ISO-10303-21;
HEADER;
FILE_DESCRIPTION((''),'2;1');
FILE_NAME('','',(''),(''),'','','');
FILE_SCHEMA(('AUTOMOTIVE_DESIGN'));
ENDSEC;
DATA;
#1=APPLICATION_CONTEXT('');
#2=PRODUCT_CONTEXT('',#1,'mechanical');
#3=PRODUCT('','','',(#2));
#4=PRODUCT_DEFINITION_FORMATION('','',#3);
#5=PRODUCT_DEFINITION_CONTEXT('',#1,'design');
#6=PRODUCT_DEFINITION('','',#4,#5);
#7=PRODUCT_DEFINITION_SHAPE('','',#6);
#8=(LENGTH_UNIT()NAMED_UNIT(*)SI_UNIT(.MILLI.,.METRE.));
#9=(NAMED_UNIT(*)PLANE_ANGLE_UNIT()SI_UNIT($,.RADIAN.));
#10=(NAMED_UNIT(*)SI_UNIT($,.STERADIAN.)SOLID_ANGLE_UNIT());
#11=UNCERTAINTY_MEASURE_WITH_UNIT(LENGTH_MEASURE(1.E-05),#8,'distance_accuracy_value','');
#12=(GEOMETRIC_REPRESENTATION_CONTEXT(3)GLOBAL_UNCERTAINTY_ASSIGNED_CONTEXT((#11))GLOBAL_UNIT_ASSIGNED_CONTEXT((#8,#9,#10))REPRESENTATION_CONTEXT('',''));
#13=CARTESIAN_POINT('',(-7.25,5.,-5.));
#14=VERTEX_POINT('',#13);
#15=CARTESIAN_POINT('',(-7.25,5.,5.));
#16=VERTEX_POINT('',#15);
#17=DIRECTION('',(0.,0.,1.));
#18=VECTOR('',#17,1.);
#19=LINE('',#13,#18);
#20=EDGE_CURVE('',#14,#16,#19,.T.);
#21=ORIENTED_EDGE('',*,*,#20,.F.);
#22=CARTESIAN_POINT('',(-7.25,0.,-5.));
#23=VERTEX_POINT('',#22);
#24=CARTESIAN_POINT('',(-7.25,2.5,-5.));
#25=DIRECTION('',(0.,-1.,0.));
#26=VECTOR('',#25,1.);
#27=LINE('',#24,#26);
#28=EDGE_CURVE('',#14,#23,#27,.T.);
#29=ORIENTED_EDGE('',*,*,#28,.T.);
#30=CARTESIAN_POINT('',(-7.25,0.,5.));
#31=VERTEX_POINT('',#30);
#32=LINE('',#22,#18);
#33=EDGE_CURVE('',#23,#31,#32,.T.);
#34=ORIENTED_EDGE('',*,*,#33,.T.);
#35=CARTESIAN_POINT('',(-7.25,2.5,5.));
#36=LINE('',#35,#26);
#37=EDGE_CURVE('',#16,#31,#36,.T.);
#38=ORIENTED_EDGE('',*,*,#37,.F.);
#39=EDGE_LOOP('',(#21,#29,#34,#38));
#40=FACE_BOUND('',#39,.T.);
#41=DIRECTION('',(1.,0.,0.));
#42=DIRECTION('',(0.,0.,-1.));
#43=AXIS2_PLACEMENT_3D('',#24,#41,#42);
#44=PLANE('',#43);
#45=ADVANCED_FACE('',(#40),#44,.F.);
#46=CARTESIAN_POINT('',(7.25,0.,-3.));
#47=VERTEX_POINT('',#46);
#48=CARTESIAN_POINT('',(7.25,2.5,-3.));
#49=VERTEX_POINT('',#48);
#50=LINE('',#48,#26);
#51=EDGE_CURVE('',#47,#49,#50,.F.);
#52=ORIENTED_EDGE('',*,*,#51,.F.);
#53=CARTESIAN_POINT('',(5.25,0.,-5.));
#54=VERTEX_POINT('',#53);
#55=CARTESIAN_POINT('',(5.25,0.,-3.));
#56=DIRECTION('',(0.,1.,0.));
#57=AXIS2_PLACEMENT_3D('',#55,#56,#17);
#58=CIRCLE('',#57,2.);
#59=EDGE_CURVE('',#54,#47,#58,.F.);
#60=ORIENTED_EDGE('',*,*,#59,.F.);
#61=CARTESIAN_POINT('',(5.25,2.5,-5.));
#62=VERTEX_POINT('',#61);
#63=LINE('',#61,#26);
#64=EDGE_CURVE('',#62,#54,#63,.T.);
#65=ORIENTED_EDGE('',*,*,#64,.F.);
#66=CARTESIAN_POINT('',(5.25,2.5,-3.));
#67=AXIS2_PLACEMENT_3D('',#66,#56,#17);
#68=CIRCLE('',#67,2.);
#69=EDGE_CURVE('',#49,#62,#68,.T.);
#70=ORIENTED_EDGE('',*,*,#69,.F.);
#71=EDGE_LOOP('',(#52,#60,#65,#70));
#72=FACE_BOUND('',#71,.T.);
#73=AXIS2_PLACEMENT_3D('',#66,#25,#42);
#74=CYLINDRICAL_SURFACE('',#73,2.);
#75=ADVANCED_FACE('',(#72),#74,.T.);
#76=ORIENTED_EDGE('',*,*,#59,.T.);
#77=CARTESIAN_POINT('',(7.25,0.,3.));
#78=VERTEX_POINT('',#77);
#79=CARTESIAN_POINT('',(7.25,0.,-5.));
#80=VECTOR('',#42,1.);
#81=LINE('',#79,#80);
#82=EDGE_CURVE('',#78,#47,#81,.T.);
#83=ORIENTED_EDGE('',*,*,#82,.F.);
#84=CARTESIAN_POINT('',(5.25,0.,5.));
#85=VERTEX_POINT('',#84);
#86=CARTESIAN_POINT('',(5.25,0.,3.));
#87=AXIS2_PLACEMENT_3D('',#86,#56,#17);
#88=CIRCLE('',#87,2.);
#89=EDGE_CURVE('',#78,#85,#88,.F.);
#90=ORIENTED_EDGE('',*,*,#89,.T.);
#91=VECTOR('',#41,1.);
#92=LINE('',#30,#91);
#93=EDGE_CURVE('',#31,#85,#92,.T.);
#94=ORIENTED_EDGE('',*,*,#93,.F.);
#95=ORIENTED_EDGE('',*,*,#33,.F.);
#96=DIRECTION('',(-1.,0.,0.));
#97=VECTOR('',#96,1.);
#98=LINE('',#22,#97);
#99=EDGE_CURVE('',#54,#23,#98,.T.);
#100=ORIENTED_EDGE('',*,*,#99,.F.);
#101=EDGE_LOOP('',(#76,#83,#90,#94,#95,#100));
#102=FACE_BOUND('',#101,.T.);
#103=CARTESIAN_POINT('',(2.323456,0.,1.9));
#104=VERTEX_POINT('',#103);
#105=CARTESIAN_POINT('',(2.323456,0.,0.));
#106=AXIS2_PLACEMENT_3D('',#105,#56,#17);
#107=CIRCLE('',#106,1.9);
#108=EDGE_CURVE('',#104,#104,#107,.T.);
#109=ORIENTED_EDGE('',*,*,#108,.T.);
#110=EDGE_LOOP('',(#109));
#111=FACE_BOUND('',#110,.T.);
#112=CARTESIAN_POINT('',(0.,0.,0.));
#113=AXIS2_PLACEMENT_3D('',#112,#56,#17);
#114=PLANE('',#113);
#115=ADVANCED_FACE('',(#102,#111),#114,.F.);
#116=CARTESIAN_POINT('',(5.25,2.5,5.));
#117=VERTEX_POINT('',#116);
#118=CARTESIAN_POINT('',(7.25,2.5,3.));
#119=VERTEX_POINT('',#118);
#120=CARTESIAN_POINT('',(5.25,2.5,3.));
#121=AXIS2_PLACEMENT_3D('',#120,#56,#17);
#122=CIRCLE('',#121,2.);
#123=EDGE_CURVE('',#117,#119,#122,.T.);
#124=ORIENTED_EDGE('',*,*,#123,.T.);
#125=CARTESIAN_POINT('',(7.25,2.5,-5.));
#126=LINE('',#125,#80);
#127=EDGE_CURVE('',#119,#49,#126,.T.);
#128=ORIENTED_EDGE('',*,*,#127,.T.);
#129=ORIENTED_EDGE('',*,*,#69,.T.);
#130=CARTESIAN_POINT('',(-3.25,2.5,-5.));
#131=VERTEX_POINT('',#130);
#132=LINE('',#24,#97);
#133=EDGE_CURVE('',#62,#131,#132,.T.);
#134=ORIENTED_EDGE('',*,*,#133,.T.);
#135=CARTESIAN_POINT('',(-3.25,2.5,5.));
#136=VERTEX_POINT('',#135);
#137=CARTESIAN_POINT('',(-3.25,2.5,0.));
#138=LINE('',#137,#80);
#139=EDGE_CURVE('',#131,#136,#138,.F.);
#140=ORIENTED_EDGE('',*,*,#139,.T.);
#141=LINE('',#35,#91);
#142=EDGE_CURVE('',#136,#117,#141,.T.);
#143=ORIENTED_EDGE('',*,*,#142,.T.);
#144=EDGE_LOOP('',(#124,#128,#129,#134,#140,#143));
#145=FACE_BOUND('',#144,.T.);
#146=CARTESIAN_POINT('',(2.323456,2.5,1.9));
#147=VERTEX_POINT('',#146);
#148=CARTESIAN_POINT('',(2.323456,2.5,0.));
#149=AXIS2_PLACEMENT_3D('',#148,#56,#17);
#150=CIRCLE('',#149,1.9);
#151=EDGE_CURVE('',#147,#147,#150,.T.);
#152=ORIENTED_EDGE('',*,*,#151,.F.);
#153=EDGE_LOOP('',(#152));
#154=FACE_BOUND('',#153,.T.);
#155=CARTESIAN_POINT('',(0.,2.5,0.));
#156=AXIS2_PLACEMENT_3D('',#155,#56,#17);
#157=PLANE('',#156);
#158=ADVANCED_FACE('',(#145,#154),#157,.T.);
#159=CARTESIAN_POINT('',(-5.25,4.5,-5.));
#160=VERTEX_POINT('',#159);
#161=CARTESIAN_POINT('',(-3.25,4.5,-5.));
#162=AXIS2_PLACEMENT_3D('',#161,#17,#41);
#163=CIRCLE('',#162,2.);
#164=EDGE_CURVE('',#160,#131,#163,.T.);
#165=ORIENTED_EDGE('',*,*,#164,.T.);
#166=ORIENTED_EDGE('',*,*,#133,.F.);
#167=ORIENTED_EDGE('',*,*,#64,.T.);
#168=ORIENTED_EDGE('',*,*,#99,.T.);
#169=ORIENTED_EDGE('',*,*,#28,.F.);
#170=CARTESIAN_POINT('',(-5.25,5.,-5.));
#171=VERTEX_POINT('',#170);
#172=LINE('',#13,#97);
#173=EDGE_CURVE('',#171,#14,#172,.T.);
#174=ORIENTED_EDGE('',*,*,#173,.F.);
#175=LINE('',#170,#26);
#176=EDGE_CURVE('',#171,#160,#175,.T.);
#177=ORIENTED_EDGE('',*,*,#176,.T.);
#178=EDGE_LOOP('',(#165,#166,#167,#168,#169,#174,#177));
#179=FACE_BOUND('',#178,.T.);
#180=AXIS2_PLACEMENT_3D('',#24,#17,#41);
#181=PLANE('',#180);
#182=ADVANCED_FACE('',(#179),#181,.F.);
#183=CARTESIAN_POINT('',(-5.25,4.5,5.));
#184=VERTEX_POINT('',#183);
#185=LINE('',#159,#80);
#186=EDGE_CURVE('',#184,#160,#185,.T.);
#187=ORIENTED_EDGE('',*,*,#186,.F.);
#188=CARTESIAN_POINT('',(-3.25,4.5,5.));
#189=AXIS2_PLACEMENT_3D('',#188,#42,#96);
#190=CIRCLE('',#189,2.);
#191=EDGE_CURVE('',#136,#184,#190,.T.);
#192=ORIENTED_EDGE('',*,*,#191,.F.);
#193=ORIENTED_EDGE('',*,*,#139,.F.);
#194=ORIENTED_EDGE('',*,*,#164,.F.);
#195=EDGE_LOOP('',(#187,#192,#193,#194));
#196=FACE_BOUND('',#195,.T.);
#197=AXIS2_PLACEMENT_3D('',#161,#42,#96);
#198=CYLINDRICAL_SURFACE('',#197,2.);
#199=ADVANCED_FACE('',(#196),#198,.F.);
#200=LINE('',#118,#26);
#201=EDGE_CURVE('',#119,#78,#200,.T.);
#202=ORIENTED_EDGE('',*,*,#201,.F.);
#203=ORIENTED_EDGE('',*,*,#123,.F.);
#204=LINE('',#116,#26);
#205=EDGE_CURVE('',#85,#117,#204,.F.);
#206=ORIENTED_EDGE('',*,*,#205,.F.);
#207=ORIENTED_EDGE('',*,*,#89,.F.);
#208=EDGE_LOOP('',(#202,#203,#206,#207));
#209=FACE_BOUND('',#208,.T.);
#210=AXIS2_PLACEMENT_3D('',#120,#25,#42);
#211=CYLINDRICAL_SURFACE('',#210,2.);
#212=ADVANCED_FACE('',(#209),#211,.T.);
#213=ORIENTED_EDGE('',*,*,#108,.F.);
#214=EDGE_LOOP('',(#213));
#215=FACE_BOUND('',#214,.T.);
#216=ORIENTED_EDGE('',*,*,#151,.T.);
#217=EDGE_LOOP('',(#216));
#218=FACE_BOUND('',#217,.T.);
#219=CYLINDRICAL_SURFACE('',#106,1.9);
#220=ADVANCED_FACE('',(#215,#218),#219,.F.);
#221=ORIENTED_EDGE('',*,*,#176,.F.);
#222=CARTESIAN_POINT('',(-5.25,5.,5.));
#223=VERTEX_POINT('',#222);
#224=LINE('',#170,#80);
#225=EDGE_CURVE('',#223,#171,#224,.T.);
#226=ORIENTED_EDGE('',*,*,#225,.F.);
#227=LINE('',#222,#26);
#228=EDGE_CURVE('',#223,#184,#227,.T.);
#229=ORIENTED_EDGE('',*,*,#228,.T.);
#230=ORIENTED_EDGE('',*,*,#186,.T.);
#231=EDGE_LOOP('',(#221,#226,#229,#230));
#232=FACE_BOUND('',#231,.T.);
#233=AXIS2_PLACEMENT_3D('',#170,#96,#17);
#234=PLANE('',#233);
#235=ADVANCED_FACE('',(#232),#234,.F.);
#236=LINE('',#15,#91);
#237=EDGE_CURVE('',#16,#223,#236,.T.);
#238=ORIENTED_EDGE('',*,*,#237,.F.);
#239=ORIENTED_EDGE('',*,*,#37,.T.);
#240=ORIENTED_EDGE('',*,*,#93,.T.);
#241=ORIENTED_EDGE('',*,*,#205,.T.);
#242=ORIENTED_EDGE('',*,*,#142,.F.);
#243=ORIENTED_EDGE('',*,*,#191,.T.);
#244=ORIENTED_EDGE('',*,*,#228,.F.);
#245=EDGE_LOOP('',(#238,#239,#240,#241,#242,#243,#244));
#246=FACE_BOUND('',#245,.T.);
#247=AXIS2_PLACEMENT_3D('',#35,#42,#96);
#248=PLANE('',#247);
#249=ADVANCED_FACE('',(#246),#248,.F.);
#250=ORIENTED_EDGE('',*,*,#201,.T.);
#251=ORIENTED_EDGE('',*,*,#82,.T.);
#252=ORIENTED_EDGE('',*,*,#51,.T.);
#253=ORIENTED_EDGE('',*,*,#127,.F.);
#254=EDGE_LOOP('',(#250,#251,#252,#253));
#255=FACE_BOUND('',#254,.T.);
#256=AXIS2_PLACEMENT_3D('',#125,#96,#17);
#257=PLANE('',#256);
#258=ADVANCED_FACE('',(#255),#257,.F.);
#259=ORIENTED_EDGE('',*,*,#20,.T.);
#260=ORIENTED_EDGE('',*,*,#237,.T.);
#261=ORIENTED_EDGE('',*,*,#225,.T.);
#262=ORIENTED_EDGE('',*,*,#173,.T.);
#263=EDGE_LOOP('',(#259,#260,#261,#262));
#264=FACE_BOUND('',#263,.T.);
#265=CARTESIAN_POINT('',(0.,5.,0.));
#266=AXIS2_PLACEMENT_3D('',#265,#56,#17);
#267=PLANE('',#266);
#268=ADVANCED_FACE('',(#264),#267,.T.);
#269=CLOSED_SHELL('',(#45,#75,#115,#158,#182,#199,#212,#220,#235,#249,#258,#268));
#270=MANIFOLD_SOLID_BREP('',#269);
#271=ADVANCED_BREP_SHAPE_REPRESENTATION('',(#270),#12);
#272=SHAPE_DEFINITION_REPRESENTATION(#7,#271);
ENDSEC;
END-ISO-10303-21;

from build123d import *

# Parameters (mm, degrees)
SKETCH1_W           = 14.5
SKETCH1_H           = 10
BOSS_EXTRUDE1_DEPTH = 2.5
SKETCH2_R           = 1.9
CUT_EXTRUDE1_DEPTH  = 10.154916712
SKETCH3_W           = 2
SKETCH3_H           = 10
BOSS_EXTRUDE2_DEPTH = 2.5
FILLET1_R           = 2
FILLET2_R           = 2


with BuildPart() as part:
    # Sketch1 → Boss-Extrude1 (new body)
    with BuildSketch(Plane(origin=(0, 0, 0), x_dir=(1, 0, 0), z_dir=(0, 1, 0))):
        Rectangle(SKETCH1_W, SKETCH1_H)
    extrude(amount=BOSS_EXTRUDE1_DEPTH)

    # Sketch2 → Cut-Extrude1 (cut, through all)
    with BuildSketch(Plane(origin=(0, 2.5, 0), x_dir=(1, 0, 0), z_dir=(0, 1, 0))):
        with Locations(Location((2.323455921, 0, 0), (0, 0, 270))):
            Circle(SKETCH2_R)
    extrude(amount=-CUT_EXTRUDE1_DEPTH, mode=Mode.SUBTRACT)

    # Sketch3 → Boss-Extrude2 (add)
    with BuildSketch(Plane(origin=(0, 2.5, 0), x_dir=(1, 0, 0), z_dir=(0, 1, 0))):
        with Locations((-6.25, 0)):
            Rectangle(SKETCH3_W, SKETCH3_H)
    extrude(amount=BOSS_EXTRUDE2_DEPTH)

    # Fillet1
    fillet1_edges = [part.edges().sort_by_distance(p)[0] for p in [
        (-5.25, 2.5, 0),
    ]]
    fillet(fillet1_edges, radius=FILLET1_R)

    # Fillet2
    fillet2_edges = [part.edges().sort_by_distance(p)[0] for p in [
        (7.25, 1.25, 5),
        (7.25, 1.25, -5),
    ]]
    fillet(fillet2_edges, radius=FILLET2_R)


solid = part.part
